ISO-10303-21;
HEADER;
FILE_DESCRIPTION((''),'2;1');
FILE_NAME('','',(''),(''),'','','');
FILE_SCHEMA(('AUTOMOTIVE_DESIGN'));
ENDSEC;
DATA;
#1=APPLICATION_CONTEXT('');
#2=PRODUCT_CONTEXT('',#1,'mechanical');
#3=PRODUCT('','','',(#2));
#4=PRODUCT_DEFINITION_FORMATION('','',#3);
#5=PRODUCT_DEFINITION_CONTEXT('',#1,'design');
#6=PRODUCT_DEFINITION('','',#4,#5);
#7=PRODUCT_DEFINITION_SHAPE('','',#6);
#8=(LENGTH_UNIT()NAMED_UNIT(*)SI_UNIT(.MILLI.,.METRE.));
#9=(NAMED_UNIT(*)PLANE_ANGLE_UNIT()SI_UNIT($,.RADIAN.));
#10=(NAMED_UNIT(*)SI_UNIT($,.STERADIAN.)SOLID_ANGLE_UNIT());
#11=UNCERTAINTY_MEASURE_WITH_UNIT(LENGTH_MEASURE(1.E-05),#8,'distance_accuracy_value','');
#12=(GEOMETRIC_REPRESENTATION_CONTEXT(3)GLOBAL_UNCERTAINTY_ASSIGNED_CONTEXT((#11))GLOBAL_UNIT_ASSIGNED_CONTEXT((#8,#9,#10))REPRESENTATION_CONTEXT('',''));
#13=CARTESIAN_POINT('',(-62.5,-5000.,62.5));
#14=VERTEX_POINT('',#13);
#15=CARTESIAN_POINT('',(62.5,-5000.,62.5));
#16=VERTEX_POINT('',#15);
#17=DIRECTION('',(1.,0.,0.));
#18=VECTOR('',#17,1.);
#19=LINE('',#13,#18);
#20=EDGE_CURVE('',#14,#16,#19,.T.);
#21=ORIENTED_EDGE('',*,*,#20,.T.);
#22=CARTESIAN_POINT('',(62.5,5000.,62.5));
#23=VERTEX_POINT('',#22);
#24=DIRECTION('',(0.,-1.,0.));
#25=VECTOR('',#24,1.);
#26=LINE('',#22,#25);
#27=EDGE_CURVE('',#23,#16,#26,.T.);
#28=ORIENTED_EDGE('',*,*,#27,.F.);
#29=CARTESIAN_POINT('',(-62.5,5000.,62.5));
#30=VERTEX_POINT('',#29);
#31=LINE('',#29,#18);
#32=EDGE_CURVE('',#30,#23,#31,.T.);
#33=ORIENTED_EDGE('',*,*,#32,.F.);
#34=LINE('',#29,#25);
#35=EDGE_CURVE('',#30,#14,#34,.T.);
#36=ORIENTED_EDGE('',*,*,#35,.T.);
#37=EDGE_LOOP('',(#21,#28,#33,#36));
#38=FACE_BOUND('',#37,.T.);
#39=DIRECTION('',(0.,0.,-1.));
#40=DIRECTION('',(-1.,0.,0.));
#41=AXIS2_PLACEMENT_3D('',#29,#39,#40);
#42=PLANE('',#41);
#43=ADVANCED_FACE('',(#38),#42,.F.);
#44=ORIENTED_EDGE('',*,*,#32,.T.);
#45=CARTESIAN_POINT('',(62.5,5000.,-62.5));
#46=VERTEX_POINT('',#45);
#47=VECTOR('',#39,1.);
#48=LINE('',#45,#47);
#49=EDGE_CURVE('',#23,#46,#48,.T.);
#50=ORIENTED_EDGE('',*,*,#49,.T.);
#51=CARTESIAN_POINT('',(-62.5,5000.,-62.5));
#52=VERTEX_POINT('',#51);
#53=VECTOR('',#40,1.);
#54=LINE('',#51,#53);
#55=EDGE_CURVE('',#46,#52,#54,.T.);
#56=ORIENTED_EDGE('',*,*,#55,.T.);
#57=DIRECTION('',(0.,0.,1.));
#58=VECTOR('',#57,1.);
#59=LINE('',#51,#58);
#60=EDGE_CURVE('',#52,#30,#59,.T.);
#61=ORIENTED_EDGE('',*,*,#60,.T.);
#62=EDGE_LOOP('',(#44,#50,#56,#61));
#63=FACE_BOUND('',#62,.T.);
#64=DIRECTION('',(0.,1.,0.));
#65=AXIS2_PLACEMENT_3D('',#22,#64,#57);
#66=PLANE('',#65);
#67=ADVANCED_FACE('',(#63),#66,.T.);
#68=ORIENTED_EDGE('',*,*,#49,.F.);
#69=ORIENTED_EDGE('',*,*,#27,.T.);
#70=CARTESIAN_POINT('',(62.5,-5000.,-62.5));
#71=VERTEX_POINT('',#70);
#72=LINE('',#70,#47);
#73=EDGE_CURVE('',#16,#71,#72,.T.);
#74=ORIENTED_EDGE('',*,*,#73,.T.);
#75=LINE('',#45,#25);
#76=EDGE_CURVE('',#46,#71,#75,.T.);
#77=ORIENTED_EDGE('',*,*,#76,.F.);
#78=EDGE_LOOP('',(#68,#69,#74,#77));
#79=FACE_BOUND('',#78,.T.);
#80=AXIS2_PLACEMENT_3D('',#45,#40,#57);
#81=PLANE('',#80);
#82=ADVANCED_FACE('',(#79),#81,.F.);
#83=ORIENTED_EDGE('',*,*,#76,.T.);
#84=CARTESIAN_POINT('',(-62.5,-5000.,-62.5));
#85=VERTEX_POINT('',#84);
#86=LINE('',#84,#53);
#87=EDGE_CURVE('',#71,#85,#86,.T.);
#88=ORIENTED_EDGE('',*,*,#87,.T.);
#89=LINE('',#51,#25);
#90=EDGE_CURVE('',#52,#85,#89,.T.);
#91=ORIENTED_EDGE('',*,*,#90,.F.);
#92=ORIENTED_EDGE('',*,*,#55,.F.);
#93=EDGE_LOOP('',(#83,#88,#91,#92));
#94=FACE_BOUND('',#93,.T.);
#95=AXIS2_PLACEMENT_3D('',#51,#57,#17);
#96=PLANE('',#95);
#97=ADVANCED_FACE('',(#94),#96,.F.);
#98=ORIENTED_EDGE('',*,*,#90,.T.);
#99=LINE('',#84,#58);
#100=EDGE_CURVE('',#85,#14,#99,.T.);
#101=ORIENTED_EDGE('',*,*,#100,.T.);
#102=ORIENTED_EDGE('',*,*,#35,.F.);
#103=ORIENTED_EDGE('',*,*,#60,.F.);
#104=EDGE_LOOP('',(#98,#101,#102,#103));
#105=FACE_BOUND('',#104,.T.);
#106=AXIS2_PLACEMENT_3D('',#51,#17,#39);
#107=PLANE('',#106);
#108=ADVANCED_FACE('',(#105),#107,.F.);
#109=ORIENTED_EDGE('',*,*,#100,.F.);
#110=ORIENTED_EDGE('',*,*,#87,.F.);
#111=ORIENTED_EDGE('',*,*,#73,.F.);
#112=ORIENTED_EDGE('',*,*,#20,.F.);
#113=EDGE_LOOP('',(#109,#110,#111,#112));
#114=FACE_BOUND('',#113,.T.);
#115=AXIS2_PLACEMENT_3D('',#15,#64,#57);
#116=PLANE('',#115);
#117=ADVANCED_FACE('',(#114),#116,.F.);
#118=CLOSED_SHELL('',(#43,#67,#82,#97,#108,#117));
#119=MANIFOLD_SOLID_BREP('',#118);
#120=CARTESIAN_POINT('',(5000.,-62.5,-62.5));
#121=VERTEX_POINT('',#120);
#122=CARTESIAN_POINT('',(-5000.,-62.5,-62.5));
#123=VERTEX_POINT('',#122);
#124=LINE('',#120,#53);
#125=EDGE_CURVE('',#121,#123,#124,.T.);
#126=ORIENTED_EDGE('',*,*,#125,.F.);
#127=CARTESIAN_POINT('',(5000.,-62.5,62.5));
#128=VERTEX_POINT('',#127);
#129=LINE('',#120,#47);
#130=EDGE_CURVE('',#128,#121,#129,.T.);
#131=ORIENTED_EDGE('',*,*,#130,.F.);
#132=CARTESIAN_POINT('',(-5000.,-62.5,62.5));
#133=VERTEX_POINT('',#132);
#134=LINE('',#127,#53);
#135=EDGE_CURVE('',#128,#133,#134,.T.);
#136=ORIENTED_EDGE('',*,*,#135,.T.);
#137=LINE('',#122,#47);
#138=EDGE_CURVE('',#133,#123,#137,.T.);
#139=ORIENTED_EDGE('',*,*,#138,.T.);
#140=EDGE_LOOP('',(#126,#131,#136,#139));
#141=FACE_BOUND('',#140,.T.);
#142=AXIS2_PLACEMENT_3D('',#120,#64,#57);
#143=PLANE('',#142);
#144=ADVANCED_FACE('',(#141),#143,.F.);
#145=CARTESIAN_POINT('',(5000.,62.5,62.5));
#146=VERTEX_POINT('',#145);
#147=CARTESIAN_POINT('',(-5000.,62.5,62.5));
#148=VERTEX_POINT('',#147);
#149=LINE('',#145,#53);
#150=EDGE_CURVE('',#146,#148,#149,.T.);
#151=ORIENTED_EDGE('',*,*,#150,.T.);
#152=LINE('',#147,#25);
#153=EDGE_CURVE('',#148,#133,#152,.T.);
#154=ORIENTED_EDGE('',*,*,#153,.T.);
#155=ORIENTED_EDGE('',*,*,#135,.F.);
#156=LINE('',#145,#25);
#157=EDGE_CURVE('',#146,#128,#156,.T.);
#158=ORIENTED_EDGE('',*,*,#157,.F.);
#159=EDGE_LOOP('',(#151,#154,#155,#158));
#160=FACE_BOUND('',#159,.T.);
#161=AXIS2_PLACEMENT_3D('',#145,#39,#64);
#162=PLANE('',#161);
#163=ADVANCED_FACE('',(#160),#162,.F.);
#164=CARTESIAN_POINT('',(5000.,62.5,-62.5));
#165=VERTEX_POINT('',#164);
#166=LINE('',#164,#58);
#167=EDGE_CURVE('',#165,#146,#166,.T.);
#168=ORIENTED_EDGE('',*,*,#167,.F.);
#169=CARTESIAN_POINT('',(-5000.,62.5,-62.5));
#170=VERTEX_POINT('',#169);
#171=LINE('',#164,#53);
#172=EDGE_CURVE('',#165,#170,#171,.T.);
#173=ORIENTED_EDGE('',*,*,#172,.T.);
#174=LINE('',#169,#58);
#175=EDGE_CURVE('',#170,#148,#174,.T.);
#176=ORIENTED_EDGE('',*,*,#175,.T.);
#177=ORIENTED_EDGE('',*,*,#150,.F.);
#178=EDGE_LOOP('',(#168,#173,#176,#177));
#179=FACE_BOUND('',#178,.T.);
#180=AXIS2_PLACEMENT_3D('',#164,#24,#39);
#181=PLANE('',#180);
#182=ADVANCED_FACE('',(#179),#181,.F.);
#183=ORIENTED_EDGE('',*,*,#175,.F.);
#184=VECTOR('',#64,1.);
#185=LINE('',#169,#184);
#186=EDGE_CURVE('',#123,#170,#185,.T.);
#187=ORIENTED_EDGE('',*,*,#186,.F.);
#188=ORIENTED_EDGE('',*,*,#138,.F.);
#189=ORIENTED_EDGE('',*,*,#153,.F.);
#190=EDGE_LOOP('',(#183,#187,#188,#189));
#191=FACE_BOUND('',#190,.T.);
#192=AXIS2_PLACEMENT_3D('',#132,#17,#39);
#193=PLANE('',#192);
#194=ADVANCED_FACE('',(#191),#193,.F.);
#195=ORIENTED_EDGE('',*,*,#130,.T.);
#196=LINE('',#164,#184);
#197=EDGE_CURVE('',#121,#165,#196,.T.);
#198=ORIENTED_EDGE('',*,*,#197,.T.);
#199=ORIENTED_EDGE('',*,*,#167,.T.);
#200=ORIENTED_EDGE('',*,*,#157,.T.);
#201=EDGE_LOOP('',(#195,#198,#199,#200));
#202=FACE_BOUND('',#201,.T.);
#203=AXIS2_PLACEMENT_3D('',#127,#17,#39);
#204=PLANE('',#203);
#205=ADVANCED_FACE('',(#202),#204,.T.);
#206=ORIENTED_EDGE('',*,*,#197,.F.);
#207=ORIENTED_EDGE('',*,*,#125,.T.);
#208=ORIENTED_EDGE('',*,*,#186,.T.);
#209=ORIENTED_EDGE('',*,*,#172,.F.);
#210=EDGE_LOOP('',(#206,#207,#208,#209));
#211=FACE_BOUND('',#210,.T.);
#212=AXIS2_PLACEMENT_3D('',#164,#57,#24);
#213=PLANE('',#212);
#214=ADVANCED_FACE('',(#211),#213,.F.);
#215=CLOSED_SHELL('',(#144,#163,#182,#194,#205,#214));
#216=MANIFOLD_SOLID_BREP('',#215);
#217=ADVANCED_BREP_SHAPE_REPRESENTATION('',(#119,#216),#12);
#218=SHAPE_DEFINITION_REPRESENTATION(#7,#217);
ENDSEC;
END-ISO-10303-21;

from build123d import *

# Parameters (mm, degrees)
SKETCH11_W               = 125
SKETCH11_H               = 125
STRUCTURAL_MEMBER1_DEPTH = 10000
SKETCH12_W               = 125
SKETCH12_H               = 125
STRUCTURAL_MEMBER2_DEPTH = 10000


with BuildPart() as part:
    # Sketch11 → Structural Member1 (new body)
    with BuildSketch(Plane.YZ.offset(-5000)):
        Rectangle(SKETCH11_W, SKETCH11_H)
    extrude(amount=STRUCTURAL_MEMBER1_DEPTH)


with BuildPart() as body_2:
    # Sketch12 → Structural Member2 (new body)
    with BuildSketch(Plane(origin=(0, -5000, 0), x_dir=(-1, 0, 0), z_dir=(0, 1, 0))):
        Rectangle(SKETCH12_W, SKETCH12_H)
    extrude(amount=STRUCTURAL_MEMBER2_DEPTH)


solid = Compound([part.part, body_2.part])
